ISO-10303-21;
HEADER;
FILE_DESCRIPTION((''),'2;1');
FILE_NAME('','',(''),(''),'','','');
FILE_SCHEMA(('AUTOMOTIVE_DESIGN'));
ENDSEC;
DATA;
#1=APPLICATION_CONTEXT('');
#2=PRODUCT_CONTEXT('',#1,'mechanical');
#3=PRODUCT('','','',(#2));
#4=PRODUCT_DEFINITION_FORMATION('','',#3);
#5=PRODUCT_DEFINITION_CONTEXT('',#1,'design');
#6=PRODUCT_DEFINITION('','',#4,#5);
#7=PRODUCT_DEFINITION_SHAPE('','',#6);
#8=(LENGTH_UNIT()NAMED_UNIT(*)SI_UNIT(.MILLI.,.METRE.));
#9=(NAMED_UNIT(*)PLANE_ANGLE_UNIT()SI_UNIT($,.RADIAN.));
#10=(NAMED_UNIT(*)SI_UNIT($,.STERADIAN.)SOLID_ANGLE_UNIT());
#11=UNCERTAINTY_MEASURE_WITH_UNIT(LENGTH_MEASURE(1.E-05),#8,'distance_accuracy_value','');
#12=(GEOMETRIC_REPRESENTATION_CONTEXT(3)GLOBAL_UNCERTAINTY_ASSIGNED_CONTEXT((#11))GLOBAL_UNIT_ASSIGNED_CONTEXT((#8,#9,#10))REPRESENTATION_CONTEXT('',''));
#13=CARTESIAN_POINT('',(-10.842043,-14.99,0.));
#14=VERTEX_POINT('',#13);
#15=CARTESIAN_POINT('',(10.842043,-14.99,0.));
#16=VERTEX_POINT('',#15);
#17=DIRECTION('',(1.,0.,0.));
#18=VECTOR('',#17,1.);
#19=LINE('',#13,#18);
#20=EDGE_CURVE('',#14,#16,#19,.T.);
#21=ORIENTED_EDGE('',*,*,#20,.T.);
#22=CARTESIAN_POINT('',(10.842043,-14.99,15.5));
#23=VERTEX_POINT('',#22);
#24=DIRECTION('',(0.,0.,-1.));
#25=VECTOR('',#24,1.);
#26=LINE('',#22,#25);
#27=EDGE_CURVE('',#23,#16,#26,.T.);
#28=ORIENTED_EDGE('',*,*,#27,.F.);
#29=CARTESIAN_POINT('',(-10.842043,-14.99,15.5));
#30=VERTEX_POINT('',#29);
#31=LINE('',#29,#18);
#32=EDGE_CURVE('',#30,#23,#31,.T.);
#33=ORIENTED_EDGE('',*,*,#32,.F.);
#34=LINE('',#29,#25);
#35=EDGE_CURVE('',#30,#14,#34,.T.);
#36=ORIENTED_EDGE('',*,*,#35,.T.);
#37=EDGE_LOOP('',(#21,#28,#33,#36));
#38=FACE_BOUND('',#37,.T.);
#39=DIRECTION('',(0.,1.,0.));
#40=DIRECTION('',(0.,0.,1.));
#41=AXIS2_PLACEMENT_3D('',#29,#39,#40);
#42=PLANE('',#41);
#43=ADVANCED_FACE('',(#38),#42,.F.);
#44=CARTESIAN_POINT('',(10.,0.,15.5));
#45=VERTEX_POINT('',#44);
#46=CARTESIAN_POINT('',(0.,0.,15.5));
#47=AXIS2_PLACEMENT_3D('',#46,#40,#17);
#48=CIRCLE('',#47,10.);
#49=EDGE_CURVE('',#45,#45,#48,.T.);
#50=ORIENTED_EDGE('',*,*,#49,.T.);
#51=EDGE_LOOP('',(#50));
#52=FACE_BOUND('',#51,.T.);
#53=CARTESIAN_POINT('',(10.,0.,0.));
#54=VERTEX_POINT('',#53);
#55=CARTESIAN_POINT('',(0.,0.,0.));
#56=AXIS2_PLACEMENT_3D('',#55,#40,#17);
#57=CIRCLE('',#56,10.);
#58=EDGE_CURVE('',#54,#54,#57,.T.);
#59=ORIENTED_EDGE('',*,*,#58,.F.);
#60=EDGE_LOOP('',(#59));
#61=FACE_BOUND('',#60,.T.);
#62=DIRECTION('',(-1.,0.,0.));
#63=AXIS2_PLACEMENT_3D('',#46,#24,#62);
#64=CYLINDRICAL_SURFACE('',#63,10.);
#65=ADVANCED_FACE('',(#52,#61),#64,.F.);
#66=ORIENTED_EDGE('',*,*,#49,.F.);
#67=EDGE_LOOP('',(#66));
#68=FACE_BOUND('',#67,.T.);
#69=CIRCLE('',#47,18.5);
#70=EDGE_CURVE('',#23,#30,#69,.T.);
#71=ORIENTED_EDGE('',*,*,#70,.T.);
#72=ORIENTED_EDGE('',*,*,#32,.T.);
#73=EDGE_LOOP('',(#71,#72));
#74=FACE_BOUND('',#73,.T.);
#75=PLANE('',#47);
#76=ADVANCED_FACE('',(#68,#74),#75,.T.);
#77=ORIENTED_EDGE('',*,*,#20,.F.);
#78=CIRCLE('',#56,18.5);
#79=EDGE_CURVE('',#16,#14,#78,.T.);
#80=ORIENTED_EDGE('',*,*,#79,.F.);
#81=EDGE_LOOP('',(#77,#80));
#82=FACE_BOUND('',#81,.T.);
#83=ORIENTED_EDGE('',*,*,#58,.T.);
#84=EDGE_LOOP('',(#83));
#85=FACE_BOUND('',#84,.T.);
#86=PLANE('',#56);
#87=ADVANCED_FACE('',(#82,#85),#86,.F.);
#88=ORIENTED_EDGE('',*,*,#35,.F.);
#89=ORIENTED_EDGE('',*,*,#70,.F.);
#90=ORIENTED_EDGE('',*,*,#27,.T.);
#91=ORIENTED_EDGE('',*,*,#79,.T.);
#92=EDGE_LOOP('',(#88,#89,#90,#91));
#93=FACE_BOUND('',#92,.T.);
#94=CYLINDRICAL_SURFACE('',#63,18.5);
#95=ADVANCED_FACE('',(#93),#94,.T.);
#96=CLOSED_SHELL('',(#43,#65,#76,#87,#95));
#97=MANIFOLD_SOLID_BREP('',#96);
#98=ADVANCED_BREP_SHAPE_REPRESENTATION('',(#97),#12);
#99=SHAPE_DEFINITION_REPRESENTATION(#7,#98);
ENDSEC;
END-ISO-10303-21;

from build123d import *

# Parameters (mm, degrees)
SKETCH1_R           = 10
BOSS_EXTRUDE1_DEPTH = 15.5


with BuildPart() as part:
    # Sketch1 → Boss-Extrude1 (new body)
    with BuildSketch(Plane.XY):
        with BuildLine():
            Line((-10.842043165, -14.99), (10.842043165, -14.99))
            ThreePointArc((10.842043165, -14.99), (0, 18.5), (-10.842043165, -14.99))
        make_face()
        Circle(SKETCH1_R, mode=Mode.SUBTRACT)
    extrude(amount=BOSS_EXTRUDE1_DEPTH)


solid = part.part
